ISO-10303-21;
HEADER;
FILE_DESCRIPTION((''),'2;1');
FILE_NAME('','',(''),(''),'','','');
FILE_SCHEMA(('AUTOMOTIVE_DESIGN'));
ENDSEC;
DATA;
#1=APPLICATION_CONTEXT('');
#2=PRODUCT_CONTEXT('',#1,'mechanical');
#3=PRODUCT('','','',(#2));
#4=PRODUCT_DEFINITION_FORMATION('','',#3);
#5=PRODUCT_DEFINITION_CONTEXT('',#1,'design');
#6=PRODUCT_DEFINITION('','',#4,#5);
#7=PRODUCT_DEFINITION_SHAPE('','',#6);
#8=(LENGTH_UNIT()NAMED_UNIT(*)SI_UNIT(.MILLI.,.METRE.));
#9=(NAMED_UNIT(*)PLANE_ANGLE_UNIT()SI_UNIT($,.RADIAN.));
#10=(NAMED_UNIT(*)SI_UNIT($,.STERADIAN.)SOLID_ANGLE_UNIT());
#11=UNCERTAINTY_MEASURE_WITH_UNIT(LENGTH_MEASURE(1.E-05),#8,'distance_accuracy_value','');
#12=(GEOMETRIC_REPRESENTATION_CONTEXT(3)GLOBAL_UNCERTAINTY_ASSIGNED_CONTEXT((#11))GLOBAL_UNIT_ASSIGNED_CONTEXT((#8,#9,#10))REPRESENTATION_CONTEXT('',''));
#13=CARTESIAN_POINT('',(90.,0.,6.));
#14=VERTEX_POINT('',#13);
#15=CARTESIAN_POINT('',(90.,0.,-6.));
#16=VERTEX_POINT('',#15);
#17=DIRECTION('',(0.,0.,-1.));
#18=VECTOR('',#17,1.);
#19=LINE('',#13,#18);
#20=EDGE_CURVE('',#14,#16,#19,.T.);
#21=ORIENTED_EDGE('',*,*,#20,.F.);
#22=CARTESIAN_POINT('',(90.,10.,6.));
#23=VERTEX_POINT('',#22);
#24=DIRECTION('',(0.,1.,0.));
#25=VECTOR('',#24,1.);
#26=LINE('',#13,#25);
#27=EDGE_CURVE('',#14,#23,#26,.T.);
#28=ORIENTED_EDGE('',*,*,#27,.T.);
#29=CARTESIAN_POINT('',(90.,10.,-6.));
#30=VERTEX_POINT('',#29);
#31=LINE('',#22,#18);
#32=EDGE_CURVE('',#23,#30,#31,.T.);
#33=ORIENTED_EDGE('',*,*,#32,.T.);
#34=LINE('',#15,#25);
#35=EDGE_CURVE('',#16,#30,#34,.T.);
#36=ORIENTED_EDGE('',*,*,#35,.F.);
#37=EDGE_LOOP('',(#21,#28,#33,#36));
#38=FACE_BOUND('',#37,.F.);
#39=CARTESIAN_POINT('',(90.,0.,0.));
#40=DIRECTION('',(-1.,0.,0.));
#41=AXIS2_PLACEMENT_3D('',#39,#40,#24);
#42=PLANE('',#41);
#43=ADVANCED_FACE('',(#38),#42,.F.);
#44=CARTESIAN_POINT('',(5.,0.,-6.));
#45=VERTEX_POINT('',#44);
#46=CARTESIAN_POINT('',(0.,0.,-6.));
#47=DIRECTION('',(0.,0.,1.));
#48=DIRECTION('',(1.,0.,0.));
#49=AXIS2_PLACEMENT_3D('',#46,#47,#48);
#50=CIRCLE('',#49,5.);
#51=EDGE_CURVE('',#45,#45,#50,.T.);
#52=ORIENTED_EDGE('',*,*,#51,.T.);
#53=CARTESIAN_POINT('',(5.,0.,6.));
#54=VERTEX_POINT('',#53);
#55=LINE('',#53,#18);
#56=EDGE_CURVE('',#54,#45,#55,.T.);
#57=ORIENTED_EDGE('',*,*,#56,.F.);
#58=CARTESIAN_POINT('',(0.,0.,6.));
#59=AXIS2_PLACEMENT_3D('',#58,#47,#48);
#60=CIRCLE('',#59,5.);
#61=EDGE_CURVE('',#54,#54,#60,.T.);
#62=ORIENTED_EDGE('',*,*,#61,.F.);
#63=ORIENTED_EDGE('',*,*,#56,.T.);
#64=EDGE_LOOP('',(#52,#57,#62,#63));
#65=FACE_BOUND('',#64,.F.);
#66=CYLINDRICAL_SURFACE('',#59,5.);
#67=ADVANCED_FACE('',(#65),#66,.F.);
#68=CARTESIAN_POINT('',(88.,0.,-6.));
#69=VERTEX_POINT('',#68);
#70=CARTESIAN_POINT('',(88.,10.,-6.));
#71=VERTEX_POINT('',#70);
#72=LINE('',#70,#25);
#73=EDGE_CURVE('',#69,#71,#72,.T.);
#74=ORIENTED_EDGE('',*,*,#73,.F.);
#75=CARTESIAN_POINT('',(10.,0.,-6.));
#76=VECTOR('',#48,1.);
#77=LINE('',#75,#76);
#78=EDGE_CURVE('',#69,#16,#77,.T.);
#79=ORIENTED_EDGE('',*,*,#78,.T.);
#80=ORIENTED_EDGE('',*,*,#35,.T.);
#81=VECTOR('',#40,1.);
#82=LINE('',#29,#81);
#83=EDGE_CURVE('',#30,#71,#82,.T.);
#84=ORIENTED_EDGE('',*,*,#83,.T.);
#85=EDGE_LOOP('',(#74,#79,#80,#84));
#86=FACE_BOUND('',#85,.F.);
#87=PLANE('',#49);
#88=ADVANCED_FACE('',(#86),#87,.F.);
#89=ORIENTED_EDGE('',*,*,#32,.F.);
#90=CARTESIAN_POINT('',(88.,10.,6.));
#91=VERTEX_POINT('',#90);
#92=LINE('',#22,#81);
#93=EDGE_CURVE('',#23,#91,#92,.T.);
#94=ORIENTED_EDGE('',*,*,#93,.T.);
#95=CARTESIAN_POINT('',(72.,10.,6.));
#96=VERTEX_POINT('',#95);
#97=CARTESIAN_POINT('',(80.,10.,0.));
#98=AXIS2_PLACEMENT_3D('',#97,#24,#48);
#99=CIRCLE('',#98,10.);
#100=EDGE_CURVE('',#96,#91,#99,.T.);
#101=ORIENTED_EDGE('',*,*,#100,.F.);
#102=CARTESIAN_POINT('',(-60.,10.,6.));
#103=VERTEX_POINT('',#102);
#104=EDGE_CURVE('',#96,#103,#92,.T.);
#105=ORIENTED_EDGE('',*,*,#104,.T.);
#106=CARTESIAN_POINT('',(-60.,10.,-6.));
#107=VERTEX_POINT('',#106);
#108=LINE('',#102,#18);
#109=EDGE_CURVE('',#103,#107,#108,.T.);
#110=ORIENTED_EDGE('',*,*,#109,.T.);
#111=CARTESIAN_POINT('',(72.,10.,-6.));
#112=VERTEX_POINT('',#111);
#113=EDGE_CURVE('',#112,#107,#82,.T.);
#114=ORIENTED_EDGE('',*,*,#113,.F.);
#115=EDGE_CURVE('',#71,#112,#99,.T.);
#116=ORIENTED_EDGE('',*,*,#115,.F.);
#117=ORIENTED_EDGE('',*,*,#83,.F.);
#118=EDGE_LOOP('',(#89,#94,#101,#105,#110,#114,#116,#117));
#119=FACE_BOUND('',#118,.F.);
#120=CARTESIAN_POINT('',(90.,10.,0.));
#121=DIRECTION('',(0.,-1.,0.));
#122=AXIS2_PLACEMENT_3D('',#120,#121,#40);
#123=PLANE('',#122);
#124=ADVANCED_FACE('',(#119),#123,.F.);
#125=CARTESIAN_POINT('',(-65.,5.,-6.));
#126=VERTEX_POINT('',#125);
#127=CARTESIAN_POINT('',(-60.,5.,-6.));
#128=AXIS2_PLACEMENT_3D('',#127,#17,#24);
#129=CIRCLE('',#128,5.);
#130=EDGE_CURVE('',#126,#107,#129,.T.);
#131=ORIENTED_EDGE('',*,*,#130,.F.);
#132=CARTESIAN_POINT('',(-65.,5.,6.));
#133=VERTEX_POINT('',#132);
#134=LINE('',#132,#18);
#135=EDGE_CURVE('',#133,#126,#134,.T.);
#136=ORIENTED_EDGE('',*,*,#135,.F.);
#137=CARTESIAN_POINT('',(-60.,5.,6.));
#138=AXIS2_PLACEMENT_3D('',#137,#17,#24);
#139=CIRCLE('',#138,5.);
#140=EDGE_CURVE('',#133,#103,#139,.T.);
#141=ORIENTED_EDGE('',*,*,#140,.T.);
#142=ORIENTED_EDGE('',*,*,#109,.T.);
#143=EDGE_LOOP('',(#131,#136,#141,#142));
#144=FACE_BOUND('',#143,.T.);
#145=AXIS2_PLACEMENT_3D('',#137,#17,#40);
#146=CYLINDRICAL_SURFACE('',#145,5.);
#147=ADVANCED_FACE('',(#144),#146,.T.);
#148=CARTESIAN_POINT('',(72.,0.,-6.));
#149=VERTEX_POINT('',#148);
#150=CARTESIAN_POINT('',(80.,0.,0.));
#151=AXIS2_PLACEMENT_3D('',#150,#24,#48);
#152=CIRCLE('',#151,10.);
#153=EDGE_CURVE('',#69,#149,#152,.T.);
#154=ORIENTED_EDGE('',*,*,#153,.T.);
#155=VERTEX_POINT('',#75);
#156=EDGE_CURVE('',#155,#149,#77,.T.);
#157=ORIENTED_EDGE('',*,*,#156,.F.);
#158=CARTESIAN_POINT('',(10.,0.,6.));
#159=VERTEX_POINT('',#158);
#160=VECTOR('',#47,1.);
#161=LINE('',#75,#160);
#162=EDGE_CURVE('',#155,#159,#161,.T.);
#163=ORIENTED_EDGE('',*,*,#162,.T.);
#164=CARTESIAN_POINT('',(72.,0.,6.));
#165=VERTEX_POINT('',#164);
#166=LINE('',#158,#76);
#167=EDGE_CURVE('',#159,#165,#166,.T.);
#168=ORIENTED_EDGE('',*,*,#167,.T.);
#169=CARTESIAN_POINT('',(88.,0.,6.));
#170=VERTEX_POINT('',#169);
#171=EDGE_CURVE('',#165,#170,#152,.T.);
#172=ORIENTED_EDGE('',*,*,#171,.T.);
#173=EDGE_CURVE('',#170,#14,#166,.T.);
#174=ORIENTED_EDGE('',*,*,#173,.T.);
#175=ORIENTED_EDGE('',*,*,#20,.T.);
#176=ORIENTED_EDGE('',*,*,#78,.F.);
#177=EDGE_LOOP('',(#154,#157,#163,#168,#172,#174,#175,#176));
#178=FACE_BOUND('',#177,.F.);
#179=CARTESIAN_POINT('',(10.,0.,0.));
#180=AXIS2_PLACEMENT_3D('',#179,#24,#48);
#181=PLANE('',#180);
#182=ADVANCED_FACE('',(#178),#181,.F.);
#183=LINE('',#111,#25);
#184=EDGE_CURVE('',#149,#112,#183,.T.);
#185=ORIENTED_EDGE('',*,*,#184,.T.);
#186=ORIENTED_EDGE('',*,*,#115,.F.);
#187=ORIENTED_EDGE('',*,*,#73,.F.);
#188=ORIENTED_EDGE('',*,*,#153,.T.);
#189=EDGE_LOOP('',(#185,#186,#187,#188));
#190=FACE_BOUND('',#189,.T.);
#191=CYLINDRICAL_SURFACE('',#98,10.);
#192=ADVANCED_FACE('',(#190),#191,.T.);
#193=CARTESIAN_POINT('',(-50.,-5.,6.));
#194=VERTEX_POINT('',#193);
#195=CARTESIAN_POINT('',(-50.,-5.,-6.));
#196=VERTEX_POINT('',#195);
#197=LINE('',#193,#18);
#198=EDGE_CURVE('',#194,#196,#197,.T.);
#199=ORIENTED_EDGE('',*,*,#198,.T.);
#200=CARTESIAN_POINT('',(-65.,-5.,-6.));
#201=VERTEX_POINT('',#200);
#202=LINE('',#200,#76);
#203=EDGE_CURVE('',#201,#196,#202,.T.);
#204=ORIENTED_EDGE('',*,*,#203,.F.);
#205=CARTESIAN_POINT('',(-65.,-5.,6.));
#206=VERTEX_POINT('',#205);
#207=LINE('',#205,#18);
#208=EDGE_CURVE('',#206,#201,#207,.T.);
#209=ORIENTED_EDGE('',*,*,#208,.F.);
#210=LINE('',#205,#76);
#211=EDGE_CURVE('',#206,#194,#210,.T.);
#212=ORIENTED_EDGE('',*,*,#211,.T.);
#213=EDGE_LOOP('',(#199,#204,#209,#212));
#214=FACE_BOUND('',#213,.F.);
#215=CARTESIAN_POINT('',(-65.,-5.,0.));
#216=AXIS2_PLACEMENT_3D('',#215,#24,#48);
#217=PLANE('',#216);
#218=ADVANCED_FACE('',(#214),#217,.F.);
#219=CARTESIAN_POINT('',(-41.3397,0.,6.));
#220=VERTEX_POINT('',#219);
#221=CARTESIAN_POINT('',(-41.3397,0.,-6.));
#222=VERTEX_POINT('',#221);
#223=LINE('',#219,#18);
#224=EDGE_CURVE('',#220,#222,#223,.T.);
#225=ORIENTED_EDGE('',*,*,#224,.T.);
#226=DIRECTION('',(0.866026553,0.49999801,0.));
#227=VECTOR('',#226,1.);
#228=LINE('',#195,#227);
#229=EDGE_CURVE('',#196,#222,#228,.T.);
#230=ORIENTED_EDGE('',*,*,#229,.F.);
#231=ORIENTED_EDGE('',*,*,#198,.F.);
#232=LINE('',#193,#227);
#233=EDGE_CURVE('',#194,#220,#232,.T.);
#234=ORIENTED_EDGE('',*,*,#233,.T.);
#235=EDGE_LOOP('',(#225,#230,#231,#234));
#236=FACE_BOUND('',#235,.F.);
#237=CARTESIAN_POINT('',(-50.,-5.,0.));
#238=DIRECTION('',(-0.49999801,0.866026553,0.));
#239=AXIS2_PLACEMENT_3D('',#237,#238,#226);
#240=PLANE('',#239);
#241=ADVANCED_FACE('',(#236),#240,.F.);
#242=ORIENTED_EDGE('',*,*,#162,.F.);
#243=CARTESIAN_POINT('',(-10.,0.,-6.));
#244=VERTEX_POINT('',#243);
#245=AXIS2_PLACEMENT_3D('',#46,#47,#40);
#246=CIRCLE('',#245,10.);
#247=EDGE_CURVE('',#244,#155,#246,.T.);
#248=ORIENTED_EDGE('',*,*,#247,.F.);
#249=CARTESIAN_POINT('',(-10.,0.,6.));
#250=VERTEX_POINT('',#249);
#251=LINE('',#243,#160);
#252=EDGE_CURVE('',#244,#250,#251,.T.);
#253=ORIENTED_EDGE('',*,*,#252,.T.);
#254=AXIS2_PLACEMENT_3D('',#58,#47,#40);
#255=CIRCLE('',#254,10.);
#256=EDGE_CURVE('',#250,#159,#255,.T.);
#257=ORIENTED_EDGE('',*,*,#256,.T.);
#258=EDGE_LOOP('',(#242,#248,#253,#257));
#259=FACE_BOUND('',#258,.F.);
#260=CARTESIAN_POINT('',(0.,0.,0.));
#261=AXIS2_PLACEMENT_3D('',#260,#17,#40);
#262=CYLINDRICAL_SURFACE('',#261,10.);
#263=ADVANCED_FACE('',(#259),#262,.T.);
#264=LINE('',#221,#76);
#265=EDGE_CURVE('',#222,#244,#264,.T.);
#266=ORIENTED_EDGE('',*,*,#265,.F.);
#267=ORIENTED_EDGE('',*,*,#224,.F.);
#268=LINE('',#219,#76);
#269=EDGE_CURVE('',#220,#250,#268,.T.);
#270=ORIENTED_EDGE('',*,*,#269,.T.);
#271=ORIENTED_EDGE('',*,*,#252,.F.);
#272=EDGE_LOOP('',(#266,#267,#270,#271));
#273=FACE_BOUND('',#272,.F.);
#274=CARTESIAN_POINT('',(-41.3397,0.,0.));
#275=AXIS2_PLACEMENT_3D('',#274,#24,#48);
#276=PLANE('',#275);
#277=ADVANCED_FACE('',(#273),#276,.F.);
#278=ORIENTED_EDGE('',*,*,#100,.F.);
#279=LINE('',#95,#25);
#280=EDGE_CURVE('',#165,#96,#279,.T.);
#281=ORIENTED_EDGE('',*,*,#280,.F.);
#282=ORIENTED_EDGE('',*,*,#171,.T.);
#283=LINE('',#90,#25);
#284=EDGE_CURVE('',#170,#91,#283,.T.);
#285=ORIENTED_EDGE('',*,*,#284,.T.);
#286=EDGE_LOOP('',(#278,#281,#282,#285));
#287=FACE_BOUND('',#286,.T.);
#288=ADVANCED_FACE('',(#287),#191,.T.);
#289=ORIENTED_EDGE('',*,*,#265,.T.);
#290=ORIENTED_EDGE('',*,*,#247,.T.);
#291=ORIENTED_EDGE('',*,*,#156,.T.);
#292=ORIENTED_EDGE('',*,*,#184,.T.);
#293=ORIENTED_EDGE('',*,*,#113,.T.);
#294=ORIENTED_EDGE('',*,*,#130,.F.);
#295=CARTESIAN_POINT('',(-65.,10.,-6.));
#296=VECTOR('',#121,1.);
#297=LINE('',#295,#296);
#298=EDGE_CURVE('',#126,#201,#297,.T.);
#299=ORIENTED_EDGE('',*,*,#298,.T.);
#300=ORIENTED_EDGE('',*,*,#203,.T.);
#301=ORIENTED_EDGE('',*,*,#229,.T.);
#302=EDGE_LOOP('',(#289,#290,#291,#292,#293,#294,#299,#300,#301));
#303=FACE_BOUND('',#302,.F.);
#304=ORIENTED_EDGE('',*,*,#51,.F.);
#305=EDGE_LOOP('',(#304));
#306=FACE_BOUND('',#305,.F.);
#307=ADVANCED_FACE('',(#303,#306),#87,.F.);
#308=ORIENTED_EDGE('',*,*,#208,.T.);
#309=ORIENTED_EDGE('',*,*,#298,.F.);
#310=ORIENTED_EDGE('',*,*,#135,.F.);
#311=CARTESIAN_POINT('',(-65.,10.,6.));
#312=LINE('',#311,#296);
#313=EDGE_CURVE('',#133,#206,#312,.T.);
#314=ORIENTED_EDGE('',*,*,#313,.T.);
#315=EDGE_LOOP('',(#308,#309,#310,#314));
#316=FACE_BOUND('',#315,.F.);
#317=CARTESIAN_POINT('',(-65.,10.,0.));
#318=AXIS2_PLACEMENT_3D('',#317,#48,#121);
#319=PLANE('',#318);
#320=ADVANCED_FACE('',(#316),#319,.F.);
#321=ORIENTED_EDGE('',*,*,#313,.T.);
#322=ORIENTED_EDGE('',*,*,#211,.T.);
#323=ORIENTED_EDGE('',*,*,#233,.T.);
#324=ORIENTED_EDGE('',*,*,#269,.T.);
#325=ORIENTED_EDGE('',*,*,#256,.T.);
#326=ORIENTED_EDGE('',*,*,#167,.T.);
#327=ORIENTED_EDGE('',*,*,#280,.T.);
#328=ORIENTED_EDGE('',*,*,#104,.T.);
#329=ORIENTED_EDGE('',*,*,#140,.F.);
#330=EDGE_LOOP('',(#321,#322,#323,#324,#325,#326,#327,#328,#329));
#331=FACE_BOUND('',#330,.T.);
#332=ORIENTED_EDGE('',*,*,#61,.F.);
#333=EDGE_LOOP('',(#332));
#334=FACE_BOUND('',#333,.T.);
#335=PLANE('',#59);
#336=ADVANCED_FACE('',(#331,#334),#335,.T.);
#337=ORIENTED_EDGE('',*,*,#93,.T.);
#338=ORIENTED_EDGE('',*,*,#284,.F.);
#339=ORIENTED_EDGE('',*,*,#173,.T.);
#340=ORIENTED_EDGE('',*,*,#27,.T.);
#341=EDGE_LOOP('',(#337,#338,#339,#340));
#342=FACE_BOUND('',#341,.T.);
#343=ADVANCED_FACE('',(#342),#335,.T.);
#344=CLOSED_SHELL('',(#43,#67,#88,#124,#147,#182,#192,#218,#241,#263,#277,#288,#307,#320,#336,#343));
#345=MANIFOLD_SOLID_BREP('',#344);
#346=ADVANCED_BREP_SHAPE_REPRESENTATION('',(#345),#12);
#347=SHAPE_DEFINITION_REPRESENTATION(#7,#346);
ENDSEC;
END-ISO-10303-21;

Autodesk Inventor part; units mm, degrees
ref_plane "YZ Plane" through (0, 0, 0) normal (1, 0, 0) x (0, 1, 0)
ref_plane "XZ Plane" through (0, 0, 0) normal (0, 1, 0) x (-1, 0, 0)
ref_plane "XY Plane" through (0, 0, 0) normal (0, 0, 1) x (1, 0, 0)
sketch "Esboço1" plane through (0, 0, 0) normal (0, 0, 1) x (1, 0, 0)
  arc A0 (-10, 0) -> (10, 0) centre (0, 0) ccw
  line L0 (10, 0) -> (90, 0)
  line L1 (90, 0) -> (90, 10)
  line L2 (90, 10) -> (-65, 10)
  line L3 (-65, 10) -> (-65, -5)
  line L4 (-65, -5) -> (-50, -5)
  line L5 (-50, -5) -> (-41.3397, 0)
  line L6 (-41.3397, 0) -> (-10, 0)
  dimension "d0" = 20
  dimension "d1" = 155
  dimension "d2" = 90
  dimension "d3" = 15
  dimension "d4" = 30
  dimension "d5" = 10
  dimension "d6" = 15
extrude "Extrusão1" add sketch "Esboço1" along normal mid plane 12
fillet "Arredondamento1" radius 5 1 edges at (-65, 10, 0)
sketch "Esboço2" plane through (0, 0, 6) normal (0, 0, 1) x (1, 0, 0)
  circle A0 centre (0, 0) radius 5
  dimension "d10" = 10
extrude "Extrusão2" cut sketch "Esboço2" against normal through all
sketch "Esboço3" plane through (90, 10, 6) normal (0, 1, 0) x (1, 0, 0)
  circle A0 centre (-10, 6) radius 10
  line L0 (0, 12) -> (0, 0) projected
  line L1 (-150, 0) -> (-150, 12) projected
  point P0 (-90, 6)
  point P1 (-150, 6)
  dimension "d13" = 20
  dimension "d14" = 10
extrude "Extrusão3" add sketch "Esboço3" against normal blind 10
properties material "Liga de aço"
